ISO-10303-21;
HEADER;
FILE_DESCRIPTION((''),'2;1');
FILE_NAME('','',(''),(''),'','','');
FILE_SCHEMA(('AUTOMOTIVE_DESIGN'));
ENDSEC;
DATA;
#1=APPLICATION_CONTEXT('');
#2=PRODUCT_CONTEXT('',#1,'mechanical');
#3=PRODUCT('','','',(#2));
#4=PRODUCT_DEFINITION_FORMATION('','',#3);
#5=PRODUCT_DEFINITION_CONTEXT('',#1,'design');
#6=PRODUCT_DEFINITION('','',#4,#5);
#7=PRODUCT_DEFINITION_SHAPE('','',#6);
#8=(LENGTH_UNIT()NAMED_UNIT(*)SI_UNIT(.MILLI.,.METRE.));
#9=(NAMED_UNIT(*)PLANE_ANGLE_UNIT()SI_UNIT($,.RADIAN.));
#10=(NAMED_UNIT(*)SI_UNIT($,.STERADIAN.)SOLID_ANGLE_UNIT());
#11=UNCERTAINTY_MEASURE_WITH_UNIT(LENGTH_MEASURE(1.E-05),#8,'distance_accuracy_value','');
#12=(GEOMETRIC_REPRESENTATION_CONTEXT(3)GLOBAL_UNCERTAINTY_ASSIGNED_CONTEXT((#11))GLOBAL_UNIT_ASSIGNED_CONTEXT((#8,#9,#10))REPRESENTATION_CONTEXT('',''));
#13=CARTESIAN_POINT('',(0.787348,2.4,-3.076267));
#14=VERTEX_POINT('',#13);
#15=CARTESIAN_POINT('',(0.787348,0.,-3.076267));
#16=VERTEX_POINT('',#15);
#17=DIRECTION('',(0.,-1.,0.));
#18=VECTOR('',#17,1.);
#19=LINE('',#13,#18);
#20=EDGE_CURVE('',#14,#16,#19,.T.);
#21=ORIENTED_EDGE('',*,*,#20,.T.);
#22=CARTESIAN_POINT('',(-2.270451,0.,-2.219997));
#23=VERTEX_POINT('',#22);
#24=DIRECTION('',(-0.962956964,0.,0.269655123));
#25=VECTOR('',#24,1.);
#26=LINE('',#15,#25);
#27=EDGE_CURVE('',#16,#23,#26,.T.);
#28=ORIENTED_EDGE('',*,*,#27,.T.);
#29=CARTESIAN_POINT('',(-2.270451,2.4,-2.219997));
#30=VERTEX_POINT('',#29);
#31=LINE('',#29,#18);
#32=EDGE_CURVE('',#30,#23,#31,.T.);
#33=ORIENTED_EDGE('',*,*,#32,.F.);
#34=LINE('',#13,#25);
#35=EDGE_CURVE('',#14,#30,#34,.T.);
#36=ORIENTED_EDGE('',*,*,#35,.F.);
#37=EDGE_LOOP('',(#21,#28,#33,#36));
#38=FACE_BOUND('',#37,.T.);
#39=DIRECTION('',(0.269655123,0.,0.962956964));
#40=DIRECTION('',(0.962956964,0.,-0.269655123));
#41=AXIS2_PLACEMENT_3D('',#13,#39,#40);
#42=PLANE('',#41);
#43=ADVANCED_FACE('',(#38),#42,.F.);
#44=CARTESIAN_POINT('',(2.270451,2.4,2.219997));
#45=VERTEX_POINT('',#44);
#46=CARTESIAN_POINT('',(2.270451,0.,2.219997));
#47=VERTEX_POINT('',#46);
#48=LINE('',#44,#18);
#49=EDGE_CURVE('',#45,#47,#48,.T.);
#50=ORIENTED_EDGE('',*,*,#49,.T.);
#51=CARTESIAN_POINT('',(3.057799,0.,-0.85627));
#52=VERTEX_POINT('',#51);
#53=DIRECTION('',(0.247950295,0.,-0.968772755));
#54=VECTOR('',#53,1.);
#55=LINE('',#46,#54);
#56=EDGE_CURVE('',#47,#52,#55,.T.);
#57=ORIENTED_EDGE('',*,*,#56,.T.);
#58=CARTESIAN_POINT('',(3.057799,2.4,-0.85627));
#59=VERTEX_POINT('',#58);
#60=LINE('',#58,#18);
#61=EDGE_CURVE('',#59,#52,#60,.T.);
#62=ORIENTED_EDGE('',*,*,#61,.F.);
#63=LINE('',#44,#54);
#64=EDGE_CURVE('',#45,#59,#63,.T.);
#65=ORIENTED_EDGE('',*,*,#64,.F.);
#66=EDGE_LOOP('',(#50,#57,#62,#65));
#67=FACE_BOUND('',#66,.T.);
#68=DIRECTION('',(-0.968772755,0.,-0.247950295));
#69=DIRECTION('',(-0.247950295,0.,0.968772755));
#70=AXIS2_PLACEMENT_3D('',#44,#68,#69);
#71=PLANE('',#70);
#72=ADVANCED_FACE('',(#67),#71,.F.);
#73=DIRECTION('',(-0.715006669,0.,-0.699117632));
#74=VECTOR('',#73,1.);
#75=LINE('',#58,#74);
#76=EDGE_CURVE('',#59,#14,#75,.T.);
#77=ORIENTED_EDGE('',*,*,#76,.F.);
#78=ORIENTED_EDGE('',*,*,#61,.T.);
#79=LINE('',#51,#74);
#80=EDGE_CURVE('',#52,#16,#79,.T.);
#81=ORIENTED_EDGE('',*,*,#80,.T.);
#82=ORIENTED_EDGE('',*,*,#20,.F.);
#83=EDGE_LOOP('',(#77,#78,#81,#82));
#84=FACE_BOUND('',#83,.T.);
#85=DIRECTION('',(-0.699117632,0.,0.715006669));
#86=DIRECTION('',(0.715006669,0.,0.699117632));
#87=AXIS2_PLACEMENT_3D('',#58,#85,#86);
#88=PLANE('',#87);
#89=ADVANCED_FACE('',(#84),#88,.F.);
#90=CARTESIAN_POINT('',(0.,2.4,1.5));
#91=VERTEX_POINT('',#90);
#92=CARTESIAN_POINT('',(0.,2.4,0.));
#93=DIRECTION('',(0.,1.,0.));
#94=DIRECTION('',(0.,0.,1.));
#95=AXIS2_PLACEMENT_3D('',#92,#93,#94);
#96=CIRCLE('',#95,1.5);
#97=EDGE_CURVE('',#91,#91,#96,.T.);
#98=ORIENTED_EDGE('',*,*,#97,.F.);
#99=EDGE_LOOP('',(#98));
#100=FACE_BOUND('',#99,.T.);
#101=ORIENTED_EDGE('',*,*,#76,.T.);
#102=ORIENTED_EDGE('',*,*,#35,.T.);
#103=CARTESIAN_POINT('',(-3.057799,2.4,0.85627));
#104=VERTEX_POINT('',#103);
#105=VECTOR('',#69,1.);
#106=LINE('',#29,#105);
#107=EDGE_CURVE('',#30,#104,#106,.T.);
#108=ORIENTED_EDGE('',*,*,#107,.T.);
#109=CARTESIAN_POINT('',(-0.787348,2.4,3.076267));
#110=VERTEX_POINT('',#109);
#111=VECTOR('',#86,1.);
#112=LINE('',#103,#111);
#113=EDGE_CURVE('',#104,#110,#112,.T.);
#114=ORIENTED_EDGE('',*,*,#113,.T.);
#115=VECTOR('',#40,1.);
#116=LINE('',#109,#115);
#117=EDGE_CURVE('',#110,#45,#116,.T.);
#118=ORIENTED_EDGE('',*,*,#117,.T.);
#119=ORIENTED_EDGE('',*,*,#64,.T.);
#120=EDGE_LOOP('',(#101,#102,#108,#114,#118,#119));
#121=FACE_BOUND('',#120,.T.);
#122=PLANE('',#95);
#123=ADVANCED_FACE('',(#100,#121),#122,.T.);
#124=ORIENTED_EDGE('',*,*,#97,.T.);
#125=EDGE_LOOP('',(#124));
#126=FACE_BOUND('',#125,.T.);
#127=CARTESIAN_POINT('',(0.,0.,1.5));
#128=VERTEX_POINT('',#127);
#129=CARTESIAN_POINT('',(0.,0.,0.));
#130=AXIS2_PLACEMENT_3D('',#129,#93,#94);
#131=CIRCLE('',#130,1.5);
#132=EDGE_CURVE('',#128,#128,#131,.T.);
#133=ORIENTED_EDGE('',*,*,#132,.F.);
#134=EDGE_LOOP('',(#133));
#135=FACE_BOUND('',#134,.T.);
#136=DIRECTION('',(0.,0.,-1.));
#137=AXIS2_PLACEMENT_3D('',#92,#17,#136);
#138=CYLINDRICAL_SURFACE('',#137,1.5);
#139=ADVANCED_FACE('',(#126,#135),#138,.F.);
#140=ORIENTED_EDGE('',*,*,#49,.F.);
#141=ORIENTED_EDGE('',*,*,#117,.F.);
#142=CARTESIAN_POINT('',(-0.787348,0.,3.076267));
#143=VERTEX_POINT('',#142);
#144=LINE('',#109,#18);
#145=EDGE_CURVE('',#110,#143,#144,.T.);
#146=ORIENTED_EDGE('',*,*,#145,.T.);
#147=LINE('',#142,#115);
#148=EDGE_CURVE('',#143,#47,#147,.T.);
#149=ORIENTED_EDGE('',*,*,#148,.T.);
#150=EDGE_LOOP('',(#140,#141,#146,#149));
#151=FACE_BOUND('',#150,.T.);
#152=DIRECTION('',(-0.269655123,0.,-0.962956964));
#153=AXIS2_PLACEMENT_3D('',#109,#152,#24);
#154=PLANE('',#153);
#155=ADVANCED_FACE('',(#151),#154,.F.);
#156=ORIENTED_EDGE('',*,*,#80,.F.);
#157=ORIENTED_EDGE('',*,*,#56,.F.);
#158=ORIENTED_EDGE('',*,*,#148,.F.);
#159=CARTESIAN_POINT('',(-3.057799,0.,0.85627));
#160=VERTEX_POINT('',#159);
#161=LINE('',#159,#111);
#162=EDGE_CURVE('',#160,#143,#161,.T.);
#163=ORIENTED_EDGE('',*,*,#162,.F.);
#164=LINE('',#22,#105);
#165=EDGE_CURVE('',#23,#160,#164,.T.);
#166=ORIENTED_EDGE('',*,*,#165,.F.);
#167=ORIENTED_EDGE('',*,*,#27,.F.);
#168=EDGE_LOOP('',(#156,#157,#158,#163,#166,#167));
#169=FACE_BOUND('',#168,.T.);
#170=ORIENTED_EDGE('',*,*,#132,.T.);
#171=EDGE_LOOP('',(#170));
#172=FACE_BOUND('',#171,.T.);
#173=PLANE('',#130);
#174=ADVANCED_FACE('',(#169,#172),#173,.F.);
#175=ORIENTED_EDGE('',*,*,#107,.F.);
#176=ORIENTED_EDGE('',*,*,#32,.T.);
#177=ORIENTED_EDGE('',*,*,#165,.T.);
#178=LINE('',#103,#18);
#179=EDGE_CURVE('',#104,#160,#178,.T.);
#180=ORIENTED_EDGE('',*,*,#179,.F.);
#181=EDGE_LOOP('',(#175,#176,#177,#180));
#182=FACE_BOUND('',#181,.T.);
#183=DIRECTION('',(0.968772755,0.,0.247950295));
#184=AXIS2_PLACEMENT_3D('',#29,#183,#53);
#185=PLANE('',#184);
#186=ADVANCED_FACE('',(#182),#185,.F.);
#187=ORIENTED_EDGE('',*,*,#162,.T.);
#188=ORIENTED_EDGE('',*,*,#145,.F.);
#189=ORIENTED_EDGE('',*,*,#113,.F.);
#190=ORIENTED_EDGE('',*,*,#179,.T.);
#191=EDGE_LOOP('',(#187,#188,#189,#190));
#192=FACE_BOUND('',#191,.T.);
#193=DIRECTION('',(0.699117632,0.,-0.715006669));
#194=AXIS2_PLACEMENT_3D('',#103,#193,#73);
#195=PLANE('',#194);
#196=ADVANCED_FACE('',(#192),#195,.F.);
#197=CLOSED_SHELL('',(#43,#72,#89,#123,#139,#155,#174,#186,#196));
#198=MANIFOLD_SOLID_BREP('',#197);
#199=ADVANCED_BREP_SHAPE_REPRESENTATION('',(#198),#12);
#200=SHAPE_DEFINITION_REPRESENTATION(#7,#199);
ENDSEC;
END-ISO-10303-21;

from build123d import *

# Parameters (mm, degrees)
SKETCH_1_R      = 1.5
EXTRUDE_1_DEPTH = 2.4


with BuildPart() as part:
    # 草图1 → 凸台-拉伸1 (new body)
    with BuildSketch(Plane(origin=(0, 0, 0), x_dir=(1, 0, 0), z_dir=(0, 1, 0))):
        Polygon((2.270451111, -2.219996641), (3.057799043, 0.856270019), (0.787347933, 3.07626666), (-2.270451111, 2.219996641), (-3.057799043, -0.856270019), (-0.787347933, -3.07626666), align=None)
        Circle(SKETCH_1_R, mode=Mode.SUBTRACT)
    extrude(amount=EXTRUDE_1_DEPTH)


solid = part.part
